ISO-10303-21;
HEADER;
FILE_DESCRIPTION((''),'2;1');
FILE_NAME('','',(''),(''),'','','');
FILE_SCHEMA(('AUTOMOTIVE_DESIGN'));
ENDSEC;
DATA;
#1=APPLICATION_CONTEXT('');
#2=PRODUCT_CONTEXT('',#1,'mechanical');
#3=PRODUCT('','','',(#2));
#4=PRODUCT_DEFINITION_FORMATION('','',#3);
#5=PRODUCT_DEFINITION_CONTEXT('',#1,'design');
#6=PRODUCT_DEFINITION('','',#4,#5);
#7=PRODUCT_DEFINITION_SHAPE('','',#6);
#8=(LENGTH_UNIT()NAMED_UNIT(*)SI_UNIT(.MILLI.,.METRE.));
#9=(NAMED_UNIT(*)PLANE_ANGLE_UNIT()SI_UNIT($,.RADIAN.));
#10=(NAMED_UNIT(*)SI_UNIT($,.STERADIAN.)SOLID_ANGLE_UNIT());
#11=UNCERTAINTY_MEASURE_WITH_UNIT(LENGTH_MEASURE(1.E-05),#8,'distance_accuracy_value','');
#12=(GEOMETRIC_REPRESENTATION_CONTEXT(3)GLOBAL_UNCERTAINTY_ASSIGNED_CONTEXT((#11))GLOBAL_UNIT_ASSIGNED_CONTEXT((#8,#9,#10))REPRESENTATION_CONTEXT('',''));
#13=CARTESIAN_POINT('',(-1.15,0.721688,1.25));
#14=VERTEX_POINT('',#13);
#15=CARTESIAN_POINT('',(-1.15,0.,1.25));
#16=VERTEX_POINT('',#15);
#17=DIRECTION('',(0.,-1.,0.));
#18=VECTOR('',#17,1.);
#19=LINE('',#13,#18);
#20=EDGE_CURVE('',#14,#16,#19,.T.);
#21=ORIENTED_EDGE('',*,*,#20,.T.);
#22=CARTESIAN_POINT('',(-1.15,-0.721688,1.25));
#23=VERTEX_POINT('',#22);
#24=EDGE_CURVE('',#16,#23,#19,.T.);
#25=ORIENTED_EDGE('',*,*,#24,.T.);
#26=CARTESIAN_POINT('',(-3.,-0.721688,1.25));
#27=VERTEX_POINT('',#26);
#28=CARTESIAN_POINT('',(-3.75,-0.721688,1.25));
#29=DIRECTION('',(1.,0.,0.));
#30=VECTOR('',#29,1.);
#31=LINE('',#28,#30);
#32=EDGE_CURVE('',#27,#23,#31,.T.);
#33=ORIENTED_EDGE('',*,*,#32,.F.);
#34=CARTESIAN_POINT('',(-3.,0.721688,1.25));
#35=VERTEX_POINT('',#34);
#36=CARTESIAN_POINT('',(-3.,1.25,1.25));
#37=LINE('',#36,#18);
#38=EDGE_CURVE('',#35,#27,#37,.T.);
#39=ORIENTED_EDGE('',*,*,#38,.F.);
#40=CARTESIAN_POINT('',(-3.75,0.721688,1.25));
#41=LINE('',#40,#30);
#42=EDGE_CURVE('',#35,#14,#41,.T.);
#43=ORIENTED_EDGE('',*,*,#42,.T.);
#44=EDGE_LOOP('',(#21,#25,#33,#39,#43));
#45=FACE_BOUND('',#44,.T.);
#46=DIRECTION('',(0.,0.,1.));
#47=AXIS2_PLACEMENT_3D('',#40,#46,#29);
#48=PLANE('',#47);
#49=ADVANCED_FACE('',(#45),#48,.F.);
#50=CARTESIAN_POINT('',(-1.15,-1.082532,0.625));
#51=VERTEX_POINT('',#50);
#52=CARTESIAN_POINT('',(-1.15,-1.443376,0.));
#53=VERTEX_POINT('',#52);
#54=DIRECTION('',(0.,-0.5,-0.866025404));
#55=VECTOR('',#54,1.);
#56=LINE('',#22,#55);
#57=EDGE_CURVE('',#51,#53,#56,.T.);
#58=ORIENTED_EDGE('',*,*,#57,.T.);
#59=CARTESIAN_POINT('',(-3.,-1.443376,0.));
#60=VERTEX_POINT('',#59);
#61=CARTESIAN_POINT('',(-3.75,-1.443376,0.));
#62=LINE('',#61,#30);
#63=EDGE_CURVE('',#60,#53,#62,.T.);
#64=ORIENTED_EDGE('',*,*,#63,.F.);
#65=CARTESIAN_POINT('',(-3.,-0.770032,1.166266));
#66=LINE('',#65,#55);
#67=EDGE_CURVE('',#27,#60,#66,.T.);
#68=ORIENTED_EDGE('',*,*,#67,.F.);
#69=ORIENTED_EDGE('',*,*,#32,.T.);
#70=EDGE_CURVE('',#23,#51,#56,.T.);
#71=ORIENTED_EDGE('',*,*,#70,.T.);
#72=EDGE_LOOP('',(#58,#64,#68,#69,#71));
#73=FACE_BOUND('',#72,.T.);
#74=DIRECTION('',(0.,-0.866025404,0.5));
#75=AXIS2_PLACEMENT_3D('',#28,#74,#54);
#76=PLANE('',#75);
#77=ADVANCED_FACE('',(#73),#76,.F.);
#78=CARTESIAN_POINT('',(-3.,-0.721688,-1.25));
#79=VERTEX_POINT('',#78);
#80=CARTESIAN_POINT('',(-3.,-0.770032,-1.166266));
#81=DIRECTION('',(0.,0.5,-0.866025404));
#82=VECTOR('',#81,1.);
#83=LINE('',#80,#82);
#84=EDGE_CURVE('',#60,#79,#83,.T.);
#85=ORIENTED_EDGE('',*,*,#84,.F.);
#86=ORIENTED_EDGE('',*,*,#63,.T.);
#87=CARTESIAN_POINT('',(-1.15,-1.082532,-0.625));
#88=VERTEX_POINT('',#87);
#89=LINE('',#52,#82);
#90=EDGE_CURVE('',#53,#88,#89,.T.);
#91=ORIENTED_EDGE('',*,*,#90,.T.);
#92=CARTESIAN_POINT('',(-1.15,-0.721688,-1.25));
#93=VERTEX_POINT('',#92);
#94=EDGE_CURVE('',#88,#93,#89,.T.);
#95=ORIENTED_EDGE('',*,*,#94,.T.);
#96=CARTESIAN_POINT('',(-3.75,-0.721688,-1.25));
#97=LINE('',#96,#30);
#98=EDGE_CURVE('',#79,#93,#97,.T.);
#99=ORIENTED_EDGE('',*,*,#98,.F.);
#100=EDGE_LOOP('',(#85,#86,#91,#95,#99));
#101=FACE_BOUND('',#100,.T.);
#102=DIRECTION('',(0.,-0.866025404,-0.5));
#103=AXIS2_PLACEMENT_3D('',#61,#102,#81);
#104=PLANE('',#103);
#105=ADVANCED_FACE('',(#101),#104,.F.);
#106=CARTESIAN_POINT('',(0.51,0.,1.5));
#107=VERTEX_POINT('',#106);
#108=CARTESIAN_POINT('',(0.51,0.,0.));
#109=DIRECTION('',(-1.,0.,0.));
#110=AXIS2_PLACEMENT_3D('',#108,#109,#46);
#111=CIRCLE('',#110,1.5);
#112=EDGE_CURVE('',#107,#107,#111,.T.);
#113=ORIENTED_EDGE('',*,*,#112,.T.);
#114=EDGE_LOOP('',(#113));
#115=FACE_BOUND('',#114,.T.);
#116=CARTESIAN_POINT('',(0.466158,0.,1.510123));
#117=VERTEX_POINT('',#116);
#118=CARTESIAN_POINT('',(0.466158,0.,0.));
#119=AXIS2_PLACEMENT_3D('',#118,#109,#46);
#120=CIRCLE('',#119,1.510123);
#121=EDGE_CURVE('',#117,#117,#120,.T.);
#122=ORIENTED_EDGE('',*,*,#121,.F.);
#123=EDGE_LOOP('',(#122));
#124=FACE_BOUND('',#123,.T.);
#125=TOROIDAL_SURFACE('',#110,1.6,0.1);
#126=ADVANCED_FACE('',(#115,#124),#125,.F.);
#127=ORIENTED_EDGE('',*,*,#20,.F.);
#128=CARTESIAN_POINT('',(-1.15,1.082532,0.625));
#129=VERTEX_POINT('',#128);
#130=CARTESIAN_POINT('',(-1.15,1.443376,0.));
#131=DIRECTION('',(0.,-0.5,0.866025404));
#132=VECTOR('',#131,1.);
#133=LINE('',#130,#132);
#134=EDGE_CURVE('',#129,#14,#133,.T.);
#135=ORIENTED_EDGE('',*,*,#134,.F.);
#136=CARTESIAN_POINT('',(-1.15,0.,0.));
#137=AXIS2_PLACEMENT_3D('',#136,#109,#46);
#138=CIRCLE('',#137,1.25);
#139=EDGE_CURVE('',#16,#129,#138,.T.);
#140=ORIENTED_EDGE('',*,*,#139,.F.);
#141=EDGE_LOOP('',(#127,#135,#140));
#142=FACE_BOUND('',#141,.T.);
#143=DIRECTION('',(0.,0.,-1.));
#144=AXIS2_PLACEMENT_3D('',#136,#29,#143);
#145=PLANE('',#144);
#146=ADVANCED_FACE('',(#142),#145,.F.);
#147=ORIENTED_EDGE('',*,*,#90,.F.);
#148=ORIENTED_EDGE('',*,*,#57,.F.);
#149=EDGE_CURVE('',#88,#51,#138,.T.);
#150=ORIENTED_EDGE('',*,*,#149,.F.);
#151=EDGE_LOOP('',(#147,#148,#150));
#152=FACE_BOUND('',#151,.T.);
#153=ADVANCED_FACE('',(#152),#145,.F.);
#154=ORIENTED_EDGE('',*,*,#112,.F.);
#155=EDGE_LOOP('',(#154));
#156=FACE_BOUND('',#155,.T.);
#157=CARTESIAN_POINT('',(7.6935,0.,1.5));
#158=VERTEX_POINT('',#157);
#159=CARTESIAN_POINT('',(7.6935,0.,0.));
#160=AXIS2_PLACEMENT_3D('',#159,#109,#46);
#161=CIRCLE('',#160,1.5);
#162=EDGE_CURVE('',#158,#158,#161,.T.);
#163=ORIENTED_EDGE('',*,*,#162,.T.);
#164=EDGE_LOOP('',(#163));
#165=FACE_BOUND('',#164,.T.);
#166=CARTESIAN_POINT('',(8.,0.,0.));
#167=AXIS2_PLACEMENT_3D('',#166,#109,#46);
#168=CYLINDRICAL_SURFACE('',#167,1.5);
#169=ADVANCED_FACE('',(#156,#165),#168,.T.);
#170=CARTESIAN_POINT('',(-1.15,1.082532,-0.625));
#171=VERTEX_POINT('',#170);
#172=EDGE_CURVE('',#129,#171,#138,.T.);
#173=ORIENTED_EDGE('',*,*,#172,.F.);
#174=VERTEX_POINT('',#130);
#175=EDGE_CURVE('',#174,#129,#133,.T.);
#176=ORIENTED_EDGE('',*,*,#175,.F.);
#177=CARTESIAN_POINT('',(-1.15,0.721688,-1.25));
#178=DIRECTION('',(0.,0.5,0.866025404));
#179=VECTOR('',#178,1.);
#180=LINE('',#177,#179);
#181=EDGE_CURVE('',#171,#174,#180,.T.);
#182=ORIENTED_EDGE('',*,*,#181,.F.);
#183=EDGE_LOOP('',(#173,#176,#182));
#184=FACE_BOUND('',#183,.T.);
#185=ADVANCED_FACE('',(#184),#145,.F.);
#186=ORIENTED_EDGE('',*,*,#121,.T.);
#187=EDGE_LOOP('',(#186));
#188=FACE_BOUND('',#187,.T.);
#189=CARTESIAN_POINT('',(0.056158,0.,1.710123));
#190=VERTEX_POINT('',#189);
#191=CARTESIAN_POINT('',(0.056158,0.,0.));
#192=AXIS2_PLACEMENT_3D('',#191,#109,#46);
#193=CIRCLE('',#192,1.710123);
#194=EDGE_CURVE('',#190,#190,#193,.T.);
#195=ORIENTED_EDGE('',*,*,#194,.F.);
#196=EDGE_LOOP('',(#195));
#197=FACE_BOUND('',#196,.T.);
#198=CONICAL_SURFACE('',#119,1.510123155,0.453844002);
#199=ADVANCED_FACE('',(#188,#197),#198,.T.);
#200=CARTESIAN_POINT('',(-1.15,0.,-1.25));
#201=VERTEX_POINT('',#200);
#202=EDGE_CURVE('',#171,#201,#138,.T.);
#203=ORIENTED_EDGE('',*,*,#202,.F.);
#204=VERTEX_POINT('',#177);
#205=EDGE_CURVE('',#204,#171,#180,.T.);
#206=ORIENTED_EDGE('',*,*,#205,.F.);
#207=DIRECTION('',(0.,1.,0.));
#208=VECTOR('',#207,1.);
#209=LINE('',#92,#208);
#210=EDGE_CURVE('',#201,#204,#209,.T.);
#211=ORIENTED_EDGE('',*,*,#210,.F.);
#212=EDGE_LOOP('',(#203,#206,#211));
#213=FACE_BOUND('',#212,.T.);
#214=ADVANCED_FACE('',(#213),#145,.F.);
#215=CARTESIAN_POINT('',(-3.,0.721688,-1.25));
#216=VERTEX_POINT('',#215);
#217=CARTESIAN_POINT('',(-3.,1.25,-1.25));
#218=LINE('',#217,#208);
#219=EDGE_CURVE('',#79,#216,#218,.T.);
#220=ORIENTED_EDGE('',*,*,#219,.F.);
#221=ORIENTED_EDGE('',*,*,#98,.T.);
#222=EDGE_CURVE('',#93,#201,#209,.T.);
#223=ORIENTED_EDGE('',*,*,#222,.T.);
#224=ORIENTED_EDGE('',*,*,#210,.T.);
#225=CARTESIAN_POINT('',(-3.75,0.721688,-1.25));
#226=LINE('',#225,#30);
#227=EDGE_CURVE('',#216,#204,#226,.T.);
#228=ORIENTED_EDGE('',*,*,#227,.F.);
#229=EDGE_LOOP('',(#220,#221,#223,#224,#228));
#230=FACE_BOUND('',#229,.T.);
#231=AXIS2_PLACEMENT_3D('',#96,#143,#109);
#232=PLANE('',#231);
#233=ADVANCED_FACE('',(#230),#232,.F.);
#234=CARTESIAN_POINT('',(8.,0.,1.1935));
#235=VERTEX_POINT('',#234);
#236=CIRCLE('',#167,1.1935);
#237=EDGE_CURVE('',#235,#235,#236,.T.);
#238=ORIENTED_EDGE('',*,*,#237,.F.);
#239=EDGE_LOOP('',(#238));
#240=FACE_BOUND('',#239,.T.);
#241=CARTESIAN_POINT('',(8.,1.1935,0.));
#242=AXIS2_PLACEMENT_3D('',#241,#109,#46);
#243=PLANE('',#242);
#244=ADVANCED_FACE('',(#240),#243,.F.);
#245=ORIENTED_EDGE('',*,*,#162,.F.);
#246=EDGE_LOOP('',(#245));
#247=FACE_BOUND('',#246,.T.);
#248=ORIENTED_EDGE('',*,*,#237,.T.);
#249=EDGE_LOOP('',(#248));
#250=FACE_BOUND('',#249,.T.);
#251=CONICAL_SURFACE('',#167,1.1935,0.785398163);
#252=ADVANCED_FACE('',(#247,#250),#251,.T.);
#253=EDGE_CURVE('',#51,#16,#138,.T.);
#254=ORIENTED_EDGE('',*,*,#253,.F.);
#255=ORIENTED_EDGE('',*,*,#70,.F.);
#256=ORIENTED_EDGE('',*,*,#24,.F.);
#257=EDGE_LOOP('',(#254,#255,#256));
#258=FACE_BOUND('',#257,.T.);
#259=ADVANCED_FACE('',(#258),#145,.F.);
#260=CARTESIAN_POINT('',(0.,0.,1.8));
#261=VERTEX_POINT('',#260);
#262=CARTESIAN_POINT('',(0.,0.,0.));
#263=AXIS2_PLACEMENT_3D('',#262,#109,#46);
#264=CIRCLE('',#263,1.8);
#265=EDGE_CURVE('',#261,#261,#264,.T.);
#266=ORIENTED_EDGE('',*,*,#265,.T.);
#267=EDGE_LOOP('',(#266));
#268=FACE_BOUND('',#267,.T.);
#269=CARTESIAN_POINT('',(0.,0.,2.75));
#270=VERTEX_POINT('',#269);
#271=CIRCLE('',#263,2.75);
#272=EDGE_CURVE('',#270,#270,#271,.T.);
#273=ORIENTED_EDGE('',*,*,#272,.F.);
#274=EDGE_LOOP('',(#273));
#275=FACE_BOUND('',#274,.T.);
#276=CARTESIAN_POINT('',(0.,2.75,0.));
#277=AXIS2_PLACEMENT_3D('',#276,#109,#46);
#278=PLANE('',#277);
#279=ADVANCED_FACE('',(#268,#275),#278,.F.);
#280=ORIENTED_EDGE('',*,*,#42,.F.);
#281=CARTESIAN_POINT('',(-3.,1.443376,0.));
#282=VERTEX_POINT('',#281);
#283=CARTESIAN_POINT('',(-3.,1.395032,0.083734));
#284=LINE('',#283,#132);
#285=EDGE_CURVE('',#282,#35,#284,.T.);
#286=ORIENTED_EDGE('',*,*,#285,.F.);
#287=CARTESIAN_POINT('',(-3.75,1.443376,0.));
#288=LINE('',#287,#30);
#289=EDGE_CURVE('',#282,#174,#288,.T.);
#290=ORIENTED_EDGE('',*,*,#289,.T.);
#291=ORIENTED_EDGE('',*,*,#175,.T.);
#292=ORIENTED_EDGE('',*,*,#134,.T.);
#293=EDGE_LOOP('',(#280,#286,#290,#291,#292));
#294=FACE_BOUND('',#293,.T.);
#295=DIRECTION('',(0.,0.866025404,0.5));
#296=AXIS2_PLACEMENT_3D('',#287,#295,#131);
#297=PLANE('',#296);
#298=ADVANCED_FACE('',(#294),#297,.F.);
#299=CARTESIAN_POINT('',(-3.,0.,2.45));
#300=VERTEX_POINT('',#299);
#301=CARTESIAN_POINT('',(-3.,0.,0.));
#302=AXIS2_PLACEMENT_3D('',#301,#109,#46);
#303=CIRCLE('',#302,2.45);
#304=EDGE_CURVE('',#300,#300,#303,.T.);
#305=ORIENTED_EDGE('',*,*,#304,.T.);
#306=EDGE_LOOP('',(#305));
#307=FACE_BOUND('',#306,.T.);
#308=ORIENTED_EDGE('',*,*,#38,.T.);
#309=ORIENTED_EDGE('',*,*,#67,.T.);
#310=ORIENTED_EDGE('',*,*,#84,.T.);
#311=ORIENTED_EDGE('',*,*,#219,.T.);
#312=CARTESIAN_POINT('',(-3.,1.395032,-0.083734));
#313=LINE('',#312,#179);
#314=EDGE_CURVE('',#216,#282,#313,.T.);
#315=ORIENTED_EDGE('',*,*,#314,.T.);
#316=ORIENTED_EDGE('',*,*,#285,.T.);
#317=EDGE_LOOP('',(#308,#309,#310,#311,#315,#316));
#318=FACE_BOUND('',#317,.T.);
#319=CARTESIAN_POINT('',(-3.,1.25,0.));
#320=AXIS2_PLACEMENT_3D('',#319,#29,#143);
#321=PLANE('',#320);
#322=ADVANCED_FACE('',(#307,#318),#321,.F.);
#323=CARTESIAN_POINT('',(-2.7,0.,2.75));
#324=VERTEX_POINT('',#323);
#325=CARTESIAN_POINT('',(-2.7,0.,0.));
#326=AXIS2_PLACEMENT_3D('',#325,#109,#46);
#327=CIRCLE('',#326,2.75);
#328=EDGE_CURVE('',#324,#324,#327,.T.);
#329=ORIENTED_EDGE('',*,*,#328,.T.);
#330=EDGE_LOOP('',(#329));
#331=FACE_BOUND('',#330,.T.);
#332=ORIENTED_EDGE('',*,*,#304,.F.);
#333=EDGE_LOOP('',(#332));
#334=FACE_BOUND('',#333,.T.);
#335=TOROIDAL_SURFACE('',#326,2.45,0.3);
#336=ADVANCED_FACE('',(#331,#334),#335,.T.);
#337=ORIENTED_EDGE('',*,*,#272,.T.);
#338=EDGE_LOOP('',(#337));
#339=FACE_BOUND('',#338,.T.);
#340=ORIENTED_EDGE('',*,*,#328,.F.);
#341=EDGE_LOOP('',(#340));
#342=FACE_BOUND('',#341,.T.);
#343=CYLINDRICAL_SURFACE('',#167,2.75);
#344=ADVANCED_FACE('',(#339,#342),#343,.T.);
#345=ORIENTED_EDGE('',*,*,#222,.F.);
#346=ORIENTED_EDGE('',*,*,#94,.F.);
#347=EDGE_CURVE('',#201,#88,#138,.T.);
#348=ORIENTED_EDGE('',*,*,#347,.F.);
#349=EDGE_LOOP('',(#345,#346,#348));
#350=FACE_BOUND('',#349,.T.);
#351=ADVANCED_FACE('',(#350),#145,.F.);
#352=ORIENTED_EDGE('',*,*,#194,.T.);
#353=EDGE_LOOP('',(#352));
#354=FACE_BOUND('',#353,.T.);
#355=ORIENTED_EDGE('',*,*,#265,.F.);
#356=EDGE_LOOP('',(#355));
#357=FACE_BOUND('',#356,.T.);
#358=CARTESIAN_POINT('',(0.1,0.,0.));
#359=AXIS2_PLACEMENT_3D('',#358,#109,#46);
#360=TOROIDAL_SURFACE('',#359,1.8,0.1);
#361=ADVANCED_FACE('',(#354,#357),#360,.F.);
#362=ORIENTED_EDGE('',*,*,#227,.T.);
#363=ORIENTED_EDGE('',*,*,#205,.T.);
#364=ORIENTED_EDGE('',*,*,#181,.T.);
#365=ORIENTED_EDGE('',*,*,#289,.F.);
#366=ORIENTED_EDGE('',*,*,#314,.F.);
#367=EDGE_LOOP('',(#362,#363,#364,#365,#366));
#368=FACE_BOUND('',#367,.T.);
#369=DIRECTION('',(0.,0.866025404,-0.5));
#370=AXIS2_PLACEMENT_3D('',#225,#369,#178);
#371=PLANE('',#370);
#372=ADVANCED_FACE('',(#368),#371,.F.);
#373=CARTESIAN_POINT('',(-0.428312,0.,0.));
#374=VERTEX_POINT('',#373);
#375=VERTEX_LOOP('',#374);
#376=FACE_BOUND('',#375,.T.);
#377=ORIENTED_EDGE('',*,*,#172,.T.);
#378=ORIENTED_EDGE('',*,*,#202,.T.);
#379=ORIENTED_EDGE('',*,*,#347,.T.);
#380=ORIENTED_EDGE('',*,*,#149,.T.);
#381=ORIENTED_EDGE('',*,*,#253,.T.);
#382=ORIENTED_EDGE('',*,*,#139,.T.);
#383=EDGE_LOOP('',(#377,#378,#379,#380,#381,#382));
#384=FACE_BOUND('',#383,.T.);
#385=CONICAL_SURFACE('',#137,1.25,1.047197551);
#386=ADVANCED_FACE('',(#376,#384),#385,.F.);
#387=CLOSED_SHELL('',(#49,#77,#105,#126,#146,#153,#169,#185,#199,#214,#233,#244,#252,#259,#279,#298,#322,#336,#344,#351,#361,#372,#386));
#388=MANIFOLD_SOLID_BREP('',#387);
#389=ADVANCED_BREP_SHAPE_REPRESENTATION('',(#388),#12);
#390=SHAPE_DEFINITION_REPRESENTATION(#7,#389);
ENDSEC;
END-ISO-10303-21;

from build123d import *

# Parameters (mm, degrees)
CUT_EXTRUDE1_DEPTH = 2.6


with BuildPart() as part:
    # Sketch1 → Revolve1 (revolve)
    with BuildSketch(Plane.XY, mode=Mode.PRIVATE) as revolve1_sk:
        with BuildLine():
            Line((-0.428312164, 0), (-1.15, 1.25))
            Line((-1.15, 1.25), (-3, 1.25))
            Line((-3, 1.25), (-3, 2.45))
            ThreePointArc((-3, 2.45), (-2.912132034, 2.662132034), (-2.7, 2.75))
            Line((-2.7, 2.75), (0, 2.75))
            Line((0, 2.75), (0, 1.8))
            ThreePointArc((0, 1.8), (0.015193643, 1.74701055), (0.056157637, 1.710123155))
            Line((0.056157637, 1.710123155), (0.466157637, 1.510123155))
            ThreePointArc((0.466157637, 1.510123155), (0.48750205, 1.50256365), (0.51, 1.5))
            Line((0.51, 1.5), (7.6935, 1.5))
            Line((7.6935, 1.5), (8, 1.1935))
            Line((8, 1.1935), (8, 0))
            Line((8, 0), (-0.428312164, 0))
        make_face()
    revolve(revolve1_sk.sketch.rotate(Axis((8, 0, 0), (-1, 0, 0)), 270), axis=Axis((8, 0, 0), (-1, 0, 0)))

    # Sketch2 → Cut-Extrude1 (cut)
    with BuildSketch(Plane(origin=(-1.15, 0, 0), x_dir=(0, 0, -1), z_dir=(1, 0, 0))):
        Polygon((-1.25, 0.721687836), (-1.25, -0.721687836), (0, -1.443375673), (1.25, -0.721687836), (1.25, 0.721687836), (0, 1.443375673), align=None)
    extrude(amount=-CUT_EXTRUDE1_DEPTH, mode=Mode.SUBTRACT)


solid = part.part
